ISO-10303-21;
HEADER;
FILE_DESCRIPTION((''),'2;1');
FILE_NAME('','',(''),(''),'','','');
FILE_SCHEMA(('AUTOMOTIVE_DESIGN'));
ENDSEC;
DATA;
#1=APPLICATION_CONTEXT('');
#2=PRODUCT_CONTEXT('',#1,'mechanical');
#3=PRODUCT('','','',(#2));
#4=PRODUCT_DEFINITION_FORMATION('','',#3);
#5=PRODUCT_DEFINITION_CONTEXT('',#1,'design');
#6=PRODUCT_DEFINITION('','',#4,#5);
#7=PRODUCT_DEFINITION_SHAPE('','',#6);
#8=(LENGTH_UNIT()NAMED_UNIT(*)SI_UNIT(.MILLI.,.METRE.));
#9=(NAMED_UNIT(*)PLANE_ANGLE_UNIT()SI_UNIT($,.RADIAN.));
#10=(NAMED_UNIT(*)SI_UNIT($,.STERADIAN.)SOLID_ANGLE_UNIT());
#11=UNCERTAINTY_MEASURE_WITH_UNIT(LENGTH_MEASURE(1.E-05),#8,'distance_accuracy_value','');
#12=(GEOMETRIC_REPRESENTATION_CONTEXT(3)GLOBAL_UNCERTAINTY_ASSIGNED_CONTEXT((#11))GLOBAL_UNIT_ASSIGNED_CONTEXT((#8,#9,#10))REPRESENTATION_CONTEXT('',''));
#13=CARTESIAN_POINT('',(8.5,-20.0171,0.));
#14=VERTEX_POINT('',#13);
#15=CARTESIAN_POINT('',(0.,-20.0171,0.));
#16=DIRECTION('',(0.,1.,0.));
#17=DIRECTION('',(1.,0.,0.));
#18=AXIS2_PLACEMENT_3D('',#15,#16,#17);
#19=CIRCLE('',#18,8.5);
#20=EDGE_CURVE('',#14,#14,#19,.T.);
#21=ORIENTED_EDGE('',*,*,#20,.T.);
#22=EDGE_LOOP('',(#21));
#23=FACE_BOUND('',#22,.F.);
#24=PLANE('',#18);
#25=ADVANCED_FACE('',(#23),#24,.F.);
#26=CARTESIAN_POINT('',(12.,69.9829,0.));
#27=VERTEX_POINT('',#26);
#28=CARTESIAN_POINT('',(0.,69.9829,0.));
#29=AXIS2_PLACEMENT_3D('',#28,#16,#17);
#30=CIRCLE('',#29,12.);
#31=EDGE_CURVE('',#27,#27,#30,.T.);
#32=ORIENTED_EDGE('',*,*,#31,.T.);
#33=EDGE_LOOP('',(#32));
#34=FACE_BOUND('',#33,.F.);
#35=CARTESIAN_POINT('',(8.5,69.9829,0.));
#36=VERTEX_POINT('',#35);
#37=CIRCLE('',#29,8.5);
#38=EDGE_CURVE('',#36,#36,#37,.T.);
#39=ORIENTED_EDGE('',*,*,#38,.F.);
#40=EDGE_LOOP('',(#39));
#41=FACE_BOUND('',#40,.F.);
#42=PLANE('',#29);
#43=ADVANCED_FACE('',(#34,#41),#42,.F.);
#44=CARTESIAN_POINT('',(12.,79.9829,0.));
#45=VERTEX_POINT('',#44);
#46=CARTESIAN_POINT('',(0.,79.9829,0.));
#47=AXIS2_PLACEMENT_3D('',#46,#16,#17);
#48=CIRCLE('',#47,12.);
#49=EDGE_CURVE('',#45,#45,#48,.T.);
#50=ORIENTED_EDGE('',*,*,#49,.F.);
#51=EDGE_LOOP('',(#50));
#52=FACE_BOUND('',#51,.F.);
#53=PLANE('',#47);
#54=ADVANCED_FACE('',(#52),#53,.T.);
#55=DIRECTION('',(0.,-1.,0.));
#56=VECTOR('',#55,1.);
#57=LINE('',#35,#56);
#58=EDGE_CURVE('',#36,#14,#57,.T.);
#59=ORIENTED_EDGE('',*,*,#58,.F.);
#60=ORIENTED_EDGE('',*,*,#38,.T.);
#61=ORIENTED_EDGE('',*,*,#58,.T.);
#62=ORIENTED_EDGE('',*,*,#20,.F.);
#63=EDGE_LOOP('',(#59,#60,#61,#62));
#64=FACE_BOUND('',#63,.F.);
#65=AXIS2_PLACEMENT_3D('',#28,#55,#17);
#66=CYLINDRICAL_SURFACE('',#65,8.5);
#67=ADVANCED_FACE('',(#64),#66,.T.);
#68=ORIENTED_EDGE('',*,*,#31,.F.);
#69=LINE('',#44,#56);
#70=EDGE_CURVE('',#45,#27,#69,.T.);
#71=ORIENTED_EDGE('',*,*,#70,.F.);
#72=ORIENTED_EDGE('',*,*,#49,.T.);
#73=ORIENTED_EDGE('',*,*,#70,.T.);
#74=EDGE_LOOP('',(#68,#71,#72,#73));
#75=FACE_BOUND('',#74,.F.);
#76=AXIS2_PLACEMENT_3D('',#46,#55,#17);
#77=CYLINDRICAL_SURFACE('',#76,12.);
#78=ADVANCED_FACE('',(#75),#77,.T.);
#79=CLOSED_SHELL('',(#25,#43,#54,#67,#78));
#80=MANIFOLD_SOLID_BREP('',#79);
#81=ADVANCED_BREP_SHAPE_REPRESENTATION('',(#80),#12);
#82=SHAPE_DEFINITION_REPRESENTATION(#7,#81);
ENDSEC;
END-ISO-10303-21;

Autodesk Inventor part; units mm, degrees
ref_plane "YZ Plane" through (0, 0, 0) normal (1, 0, 0) x (0, 1, 0)
ref_plane "XZ Plane" through (0, 0, 0) normal (0, 1, 0) x (-1, 0, 0)
ref_plane "XY Plane" through (0, 0, 0) normal (0, 0, 1) x (1, 0, 0)
sketch "Sketch1" plane through (0, 0, 0) normal (0, 0, 1) x (1, 0, 0)
  line L0 (0, -20.0171) -> (0, 79.9829)
  line L1 (0, 79.9829) -> (12, 79.9829)
  line L2 (12, 79.9829) -> (12, 69.9829)
  line L3 (12, 69.9829) -> (8.5, 69.9829)
  line L4 (8.5, 69.9829) -> (8.5, -20.0171)
  line L5 (8.5, -20.0171) -> (0, -20.0171)
  dimension "d0" = 12
  dimension "d1" = 8.5
  dimension "d4" = 90
  dimension "d6" = 100
revolve "Revolution1" add sketch "Sketch1" angle 360 about axis through (0, -20.0171, 0) along (0, 1, 0)
properties part number "bolt"
